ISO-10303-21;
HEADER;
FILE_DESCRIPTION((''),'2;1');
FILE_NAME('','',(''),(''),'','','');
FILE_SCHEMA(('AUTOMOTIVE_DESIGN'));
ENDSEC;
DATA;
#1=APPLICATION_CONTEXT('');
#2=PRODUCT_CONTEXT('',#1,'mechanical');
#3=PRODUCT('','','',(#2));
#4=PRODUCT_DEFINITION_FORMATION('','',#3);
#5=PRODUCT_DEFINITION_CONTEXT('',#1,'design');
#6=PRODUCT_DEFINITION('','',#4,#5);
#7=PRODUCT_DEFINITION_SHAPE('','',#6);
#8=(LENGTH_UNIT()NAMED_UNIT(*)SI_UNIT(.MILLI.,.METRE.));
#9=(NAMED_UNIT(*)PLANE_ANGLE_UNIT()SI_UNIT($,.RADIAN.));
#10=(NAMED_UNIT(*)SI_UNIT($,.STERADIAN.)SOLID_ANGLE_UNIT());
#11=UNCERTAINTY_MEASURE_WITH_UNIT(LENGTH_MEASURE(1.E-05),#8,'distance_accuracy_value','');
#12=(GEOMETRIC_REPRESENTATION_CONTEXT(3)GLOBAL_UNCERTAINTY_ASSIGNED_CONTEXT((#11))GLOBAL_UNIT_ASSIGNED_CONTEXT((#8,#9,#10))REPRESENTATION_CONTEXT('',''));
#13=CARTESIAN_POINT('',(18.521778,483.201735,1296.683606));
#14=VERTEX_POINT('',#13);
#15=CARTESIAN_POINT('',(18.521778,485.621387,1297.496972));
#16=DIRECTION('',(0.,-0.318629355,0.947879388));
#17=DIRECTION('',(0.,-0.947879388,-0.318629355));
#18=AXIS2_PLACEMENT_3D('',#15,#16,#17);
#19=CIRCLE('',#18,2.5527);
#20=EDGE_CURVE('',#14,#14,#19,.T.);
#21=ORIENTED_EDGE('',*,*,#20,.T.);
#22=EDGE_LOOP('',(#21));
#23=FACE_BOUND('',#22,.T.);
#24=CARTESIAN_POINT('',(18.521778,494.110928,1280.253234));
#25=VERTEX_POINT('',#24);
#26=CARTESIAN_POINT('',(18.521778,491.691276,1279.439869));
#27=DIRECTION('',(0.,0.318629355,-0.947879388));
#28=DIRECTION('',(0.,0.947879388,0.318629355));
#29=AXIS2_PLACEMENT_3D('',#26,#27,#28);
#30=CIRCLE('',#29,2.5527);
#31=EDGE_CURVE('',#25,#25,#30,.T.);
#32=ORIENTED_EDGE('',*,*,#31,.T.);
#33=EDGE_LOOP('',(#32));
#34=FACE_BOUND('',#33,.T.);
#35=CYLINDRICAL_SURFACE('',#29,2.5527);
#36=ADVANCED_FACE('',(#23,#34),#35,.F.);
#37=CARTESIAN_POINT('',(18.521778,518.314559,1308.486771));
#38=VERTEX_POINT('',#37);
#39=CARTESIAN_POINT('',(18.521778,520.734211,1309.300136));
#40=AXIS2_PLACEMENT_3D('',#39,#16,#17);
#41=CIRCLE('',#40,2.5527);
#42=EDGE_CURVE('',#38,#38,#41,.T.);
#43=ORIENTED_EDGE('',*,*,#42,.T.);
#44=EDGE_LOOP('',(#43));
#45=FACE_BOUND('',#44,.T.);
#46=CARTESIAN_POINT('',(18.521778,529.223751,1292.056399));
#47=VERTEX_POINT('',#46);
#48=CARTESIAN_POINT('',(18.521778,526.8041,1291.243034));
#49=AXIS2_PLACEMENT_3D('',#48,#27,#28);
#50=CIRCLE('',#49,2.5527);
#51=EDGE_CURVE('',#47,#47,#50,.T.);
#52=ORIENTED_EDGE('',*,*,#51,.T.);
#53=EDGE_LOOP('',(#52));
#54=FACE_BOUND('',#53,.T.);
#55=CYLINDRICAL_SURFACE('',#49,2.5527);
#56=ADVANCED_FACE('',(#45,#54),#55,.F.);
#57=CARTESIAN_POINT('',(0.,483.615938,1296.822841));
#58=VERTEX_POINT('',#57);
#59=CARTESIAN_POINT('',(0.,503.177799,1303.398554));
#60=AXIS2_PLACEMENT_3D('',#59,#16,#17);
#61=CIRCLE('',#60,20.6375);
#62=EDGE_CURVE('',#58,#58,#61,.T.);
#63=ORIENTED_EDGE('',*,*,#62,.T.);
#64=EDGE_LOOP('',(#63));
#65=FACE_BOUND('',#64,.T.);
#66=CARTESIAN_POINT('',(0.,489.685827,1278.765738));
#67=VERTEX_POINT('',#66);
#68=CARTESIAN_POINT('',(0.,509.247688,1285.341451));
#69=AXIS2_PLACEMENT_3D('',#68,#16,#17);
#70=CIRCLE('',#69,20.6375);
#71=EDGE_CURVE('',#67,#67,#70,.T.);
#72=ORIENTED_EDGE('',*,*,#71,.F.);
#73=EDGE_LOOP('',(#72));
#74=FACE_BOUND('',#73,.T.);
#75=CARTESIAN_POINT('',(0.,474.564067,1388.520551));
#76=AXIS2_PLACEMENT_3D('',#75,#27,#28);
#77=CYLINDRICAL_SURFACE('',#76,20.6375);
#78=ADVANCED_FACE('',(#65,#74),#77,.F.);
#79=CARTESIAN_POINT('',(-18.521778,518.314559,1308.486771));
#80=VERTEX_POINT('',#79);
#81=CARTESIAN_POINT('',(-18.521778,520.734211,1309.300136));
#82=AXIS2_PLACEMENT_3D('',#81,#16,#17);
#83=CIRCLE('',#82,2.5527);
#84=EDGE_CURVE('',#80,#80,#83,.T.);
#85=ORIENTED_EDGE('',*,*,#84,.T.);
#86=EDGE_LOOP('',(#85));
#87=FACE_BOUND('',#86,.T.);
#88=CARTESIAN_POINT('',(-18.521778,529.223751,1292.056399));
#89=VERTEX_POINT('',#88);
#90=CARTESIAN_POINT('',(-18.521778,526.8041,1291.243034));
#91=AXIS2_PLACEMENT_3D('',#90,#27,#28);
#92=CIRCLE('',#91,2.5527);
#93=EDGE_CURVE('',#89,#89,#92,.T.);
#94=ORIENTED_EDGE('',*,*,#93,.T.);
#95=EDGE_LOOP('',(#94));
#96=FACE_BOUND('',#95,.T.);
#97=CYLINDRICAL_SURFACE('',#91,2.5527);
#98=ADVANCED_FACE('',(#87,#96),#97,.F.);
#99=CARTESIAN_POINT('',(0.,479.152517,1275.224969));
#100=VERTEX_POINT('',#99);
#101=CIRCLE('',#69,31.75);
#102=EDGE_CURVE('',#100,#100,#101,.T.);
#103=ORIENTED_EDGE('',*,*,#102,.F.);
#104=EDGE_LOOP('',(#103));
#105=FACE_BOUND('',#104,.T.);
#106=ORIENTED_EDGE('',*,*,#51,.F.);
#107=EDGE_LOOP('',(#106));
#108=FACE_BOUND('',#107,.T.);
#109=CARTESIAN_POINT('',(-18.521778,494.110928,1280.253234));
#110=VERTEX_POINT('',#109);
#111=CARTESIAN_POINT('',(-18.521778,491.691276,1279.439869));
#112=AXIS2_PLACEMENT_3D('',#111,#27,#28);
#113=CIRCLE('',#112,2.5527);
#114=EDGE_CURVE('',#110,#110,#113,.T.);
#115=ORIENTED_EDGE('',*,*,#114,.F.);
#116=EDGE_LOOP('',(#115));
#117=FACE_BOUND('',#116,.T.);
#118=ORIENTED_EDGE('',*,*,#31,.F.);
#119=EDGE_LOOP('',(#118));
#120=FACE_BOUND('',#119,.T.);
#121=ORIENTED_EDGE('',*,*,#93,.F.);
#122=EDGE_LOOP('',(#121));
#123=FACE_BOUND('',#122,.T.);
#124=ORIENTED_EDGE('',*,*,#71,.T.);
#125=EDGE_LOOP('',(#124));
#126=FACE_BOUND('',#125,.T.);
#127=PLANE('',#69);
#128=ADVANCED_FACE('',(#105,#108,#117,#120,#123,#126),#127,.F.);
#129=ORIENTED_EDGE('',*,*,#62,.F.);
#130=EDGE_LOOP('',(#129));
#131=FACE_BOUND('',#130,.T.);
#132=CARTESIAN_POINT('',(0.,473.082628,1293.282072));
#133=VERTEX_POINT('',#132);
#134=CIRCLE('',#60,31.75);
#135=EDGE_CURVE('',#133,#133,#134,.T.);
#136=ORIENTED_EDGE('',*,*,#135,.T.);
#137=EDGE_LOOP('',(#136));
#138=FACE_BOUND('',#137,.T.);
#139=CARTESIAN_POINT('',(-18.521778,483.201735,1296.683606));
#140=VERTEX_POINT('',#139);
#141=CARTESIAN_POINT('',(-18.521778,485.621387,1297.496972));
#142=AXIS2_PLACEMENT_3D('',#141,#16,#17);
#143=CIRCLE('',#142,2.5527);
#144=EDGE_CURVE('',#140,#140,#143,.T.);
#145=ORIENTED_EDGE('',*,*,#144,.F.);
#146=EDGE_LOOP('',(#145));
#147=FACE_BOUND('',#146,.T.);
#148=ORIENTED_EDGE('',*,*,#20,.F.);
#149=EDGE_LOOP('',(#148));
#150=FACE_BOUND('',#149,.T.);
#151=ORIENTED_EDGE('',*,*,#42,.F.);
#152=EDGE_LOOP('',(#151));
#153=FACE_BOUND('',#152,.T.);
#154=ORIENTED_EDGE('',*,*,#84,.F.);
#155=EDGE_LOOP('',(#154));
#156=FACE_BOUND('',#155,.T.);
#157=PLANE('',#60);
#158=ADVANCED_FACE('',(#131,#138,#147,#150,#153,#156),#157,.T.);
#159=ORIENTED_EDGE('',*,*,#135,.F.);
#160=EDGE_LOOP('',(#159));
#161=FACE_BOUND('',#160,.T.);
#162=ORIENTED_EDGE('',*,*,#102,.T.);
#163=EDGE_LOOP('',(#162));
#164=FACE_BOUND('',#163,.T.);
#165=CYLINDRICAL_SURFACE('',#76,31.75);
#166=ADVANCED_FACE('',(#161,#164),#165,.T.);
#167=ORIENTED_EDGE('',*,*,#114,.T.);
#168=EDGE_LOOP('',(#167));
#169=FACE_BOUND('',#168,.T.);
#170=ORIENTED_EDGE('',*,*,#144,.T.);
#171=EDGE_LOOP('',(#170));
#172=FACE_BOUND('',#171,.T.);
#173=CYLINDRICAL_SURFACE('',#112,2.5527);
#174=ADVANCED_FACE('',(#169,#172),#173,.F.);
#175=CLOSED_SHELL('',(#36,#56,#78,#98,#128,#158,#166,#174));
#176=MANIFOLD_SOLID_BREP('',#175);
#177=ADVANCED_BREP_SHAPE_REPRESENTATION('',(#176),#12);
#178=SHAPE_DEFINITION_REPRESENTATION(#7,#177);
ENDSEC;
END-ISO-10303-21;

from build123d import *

# Parameters (mm, degrees)
SKETCH1_R               = 31.75
SKETCH1_R_2             = 20.6375
BOSS_EXTRUDE1_DEPTH     = 19.05
F_1_4_20_TAPPED_HOLE1_D = 5.1054


with BuildPart() as part:
    # Sketch1 → Boss-Extrude1 (new body)
    with BuildSketch(Plane(origin=(0, -336.500449063, 1001.043483969), x_dir=(1, 0, 0), z_dir=(0, -0.318629355, 0.947879388))):
        with Locations((0, 892.252904457)):
            Circle(SKETCH1_R)
        with Locations((0, 892.252904457)):
            Circle(SKETCH1_R_2, mode=Mode.SUBTRACT)
    extrude(amount=BOSS_EXTRUDE1_DEPTH)

    # 1/4-20 Tapped Hole1 (through all)
    with Locations(Plane(origin=(0, -336.500449063, 1001.043483969), x_dir=(-1, 0, 0), z_dir=(0, 0.318629355, -0.947879388))):
        with Locations((18.52177825, 910.774682707), (-18.52177825, 910.774682707), (-18.52177825, 873.731126207), (18.52177825, 873.731126207)):
            Hole(F_1_4_20_TAPPED_HOLE1_D / 2)


solid = part.part
